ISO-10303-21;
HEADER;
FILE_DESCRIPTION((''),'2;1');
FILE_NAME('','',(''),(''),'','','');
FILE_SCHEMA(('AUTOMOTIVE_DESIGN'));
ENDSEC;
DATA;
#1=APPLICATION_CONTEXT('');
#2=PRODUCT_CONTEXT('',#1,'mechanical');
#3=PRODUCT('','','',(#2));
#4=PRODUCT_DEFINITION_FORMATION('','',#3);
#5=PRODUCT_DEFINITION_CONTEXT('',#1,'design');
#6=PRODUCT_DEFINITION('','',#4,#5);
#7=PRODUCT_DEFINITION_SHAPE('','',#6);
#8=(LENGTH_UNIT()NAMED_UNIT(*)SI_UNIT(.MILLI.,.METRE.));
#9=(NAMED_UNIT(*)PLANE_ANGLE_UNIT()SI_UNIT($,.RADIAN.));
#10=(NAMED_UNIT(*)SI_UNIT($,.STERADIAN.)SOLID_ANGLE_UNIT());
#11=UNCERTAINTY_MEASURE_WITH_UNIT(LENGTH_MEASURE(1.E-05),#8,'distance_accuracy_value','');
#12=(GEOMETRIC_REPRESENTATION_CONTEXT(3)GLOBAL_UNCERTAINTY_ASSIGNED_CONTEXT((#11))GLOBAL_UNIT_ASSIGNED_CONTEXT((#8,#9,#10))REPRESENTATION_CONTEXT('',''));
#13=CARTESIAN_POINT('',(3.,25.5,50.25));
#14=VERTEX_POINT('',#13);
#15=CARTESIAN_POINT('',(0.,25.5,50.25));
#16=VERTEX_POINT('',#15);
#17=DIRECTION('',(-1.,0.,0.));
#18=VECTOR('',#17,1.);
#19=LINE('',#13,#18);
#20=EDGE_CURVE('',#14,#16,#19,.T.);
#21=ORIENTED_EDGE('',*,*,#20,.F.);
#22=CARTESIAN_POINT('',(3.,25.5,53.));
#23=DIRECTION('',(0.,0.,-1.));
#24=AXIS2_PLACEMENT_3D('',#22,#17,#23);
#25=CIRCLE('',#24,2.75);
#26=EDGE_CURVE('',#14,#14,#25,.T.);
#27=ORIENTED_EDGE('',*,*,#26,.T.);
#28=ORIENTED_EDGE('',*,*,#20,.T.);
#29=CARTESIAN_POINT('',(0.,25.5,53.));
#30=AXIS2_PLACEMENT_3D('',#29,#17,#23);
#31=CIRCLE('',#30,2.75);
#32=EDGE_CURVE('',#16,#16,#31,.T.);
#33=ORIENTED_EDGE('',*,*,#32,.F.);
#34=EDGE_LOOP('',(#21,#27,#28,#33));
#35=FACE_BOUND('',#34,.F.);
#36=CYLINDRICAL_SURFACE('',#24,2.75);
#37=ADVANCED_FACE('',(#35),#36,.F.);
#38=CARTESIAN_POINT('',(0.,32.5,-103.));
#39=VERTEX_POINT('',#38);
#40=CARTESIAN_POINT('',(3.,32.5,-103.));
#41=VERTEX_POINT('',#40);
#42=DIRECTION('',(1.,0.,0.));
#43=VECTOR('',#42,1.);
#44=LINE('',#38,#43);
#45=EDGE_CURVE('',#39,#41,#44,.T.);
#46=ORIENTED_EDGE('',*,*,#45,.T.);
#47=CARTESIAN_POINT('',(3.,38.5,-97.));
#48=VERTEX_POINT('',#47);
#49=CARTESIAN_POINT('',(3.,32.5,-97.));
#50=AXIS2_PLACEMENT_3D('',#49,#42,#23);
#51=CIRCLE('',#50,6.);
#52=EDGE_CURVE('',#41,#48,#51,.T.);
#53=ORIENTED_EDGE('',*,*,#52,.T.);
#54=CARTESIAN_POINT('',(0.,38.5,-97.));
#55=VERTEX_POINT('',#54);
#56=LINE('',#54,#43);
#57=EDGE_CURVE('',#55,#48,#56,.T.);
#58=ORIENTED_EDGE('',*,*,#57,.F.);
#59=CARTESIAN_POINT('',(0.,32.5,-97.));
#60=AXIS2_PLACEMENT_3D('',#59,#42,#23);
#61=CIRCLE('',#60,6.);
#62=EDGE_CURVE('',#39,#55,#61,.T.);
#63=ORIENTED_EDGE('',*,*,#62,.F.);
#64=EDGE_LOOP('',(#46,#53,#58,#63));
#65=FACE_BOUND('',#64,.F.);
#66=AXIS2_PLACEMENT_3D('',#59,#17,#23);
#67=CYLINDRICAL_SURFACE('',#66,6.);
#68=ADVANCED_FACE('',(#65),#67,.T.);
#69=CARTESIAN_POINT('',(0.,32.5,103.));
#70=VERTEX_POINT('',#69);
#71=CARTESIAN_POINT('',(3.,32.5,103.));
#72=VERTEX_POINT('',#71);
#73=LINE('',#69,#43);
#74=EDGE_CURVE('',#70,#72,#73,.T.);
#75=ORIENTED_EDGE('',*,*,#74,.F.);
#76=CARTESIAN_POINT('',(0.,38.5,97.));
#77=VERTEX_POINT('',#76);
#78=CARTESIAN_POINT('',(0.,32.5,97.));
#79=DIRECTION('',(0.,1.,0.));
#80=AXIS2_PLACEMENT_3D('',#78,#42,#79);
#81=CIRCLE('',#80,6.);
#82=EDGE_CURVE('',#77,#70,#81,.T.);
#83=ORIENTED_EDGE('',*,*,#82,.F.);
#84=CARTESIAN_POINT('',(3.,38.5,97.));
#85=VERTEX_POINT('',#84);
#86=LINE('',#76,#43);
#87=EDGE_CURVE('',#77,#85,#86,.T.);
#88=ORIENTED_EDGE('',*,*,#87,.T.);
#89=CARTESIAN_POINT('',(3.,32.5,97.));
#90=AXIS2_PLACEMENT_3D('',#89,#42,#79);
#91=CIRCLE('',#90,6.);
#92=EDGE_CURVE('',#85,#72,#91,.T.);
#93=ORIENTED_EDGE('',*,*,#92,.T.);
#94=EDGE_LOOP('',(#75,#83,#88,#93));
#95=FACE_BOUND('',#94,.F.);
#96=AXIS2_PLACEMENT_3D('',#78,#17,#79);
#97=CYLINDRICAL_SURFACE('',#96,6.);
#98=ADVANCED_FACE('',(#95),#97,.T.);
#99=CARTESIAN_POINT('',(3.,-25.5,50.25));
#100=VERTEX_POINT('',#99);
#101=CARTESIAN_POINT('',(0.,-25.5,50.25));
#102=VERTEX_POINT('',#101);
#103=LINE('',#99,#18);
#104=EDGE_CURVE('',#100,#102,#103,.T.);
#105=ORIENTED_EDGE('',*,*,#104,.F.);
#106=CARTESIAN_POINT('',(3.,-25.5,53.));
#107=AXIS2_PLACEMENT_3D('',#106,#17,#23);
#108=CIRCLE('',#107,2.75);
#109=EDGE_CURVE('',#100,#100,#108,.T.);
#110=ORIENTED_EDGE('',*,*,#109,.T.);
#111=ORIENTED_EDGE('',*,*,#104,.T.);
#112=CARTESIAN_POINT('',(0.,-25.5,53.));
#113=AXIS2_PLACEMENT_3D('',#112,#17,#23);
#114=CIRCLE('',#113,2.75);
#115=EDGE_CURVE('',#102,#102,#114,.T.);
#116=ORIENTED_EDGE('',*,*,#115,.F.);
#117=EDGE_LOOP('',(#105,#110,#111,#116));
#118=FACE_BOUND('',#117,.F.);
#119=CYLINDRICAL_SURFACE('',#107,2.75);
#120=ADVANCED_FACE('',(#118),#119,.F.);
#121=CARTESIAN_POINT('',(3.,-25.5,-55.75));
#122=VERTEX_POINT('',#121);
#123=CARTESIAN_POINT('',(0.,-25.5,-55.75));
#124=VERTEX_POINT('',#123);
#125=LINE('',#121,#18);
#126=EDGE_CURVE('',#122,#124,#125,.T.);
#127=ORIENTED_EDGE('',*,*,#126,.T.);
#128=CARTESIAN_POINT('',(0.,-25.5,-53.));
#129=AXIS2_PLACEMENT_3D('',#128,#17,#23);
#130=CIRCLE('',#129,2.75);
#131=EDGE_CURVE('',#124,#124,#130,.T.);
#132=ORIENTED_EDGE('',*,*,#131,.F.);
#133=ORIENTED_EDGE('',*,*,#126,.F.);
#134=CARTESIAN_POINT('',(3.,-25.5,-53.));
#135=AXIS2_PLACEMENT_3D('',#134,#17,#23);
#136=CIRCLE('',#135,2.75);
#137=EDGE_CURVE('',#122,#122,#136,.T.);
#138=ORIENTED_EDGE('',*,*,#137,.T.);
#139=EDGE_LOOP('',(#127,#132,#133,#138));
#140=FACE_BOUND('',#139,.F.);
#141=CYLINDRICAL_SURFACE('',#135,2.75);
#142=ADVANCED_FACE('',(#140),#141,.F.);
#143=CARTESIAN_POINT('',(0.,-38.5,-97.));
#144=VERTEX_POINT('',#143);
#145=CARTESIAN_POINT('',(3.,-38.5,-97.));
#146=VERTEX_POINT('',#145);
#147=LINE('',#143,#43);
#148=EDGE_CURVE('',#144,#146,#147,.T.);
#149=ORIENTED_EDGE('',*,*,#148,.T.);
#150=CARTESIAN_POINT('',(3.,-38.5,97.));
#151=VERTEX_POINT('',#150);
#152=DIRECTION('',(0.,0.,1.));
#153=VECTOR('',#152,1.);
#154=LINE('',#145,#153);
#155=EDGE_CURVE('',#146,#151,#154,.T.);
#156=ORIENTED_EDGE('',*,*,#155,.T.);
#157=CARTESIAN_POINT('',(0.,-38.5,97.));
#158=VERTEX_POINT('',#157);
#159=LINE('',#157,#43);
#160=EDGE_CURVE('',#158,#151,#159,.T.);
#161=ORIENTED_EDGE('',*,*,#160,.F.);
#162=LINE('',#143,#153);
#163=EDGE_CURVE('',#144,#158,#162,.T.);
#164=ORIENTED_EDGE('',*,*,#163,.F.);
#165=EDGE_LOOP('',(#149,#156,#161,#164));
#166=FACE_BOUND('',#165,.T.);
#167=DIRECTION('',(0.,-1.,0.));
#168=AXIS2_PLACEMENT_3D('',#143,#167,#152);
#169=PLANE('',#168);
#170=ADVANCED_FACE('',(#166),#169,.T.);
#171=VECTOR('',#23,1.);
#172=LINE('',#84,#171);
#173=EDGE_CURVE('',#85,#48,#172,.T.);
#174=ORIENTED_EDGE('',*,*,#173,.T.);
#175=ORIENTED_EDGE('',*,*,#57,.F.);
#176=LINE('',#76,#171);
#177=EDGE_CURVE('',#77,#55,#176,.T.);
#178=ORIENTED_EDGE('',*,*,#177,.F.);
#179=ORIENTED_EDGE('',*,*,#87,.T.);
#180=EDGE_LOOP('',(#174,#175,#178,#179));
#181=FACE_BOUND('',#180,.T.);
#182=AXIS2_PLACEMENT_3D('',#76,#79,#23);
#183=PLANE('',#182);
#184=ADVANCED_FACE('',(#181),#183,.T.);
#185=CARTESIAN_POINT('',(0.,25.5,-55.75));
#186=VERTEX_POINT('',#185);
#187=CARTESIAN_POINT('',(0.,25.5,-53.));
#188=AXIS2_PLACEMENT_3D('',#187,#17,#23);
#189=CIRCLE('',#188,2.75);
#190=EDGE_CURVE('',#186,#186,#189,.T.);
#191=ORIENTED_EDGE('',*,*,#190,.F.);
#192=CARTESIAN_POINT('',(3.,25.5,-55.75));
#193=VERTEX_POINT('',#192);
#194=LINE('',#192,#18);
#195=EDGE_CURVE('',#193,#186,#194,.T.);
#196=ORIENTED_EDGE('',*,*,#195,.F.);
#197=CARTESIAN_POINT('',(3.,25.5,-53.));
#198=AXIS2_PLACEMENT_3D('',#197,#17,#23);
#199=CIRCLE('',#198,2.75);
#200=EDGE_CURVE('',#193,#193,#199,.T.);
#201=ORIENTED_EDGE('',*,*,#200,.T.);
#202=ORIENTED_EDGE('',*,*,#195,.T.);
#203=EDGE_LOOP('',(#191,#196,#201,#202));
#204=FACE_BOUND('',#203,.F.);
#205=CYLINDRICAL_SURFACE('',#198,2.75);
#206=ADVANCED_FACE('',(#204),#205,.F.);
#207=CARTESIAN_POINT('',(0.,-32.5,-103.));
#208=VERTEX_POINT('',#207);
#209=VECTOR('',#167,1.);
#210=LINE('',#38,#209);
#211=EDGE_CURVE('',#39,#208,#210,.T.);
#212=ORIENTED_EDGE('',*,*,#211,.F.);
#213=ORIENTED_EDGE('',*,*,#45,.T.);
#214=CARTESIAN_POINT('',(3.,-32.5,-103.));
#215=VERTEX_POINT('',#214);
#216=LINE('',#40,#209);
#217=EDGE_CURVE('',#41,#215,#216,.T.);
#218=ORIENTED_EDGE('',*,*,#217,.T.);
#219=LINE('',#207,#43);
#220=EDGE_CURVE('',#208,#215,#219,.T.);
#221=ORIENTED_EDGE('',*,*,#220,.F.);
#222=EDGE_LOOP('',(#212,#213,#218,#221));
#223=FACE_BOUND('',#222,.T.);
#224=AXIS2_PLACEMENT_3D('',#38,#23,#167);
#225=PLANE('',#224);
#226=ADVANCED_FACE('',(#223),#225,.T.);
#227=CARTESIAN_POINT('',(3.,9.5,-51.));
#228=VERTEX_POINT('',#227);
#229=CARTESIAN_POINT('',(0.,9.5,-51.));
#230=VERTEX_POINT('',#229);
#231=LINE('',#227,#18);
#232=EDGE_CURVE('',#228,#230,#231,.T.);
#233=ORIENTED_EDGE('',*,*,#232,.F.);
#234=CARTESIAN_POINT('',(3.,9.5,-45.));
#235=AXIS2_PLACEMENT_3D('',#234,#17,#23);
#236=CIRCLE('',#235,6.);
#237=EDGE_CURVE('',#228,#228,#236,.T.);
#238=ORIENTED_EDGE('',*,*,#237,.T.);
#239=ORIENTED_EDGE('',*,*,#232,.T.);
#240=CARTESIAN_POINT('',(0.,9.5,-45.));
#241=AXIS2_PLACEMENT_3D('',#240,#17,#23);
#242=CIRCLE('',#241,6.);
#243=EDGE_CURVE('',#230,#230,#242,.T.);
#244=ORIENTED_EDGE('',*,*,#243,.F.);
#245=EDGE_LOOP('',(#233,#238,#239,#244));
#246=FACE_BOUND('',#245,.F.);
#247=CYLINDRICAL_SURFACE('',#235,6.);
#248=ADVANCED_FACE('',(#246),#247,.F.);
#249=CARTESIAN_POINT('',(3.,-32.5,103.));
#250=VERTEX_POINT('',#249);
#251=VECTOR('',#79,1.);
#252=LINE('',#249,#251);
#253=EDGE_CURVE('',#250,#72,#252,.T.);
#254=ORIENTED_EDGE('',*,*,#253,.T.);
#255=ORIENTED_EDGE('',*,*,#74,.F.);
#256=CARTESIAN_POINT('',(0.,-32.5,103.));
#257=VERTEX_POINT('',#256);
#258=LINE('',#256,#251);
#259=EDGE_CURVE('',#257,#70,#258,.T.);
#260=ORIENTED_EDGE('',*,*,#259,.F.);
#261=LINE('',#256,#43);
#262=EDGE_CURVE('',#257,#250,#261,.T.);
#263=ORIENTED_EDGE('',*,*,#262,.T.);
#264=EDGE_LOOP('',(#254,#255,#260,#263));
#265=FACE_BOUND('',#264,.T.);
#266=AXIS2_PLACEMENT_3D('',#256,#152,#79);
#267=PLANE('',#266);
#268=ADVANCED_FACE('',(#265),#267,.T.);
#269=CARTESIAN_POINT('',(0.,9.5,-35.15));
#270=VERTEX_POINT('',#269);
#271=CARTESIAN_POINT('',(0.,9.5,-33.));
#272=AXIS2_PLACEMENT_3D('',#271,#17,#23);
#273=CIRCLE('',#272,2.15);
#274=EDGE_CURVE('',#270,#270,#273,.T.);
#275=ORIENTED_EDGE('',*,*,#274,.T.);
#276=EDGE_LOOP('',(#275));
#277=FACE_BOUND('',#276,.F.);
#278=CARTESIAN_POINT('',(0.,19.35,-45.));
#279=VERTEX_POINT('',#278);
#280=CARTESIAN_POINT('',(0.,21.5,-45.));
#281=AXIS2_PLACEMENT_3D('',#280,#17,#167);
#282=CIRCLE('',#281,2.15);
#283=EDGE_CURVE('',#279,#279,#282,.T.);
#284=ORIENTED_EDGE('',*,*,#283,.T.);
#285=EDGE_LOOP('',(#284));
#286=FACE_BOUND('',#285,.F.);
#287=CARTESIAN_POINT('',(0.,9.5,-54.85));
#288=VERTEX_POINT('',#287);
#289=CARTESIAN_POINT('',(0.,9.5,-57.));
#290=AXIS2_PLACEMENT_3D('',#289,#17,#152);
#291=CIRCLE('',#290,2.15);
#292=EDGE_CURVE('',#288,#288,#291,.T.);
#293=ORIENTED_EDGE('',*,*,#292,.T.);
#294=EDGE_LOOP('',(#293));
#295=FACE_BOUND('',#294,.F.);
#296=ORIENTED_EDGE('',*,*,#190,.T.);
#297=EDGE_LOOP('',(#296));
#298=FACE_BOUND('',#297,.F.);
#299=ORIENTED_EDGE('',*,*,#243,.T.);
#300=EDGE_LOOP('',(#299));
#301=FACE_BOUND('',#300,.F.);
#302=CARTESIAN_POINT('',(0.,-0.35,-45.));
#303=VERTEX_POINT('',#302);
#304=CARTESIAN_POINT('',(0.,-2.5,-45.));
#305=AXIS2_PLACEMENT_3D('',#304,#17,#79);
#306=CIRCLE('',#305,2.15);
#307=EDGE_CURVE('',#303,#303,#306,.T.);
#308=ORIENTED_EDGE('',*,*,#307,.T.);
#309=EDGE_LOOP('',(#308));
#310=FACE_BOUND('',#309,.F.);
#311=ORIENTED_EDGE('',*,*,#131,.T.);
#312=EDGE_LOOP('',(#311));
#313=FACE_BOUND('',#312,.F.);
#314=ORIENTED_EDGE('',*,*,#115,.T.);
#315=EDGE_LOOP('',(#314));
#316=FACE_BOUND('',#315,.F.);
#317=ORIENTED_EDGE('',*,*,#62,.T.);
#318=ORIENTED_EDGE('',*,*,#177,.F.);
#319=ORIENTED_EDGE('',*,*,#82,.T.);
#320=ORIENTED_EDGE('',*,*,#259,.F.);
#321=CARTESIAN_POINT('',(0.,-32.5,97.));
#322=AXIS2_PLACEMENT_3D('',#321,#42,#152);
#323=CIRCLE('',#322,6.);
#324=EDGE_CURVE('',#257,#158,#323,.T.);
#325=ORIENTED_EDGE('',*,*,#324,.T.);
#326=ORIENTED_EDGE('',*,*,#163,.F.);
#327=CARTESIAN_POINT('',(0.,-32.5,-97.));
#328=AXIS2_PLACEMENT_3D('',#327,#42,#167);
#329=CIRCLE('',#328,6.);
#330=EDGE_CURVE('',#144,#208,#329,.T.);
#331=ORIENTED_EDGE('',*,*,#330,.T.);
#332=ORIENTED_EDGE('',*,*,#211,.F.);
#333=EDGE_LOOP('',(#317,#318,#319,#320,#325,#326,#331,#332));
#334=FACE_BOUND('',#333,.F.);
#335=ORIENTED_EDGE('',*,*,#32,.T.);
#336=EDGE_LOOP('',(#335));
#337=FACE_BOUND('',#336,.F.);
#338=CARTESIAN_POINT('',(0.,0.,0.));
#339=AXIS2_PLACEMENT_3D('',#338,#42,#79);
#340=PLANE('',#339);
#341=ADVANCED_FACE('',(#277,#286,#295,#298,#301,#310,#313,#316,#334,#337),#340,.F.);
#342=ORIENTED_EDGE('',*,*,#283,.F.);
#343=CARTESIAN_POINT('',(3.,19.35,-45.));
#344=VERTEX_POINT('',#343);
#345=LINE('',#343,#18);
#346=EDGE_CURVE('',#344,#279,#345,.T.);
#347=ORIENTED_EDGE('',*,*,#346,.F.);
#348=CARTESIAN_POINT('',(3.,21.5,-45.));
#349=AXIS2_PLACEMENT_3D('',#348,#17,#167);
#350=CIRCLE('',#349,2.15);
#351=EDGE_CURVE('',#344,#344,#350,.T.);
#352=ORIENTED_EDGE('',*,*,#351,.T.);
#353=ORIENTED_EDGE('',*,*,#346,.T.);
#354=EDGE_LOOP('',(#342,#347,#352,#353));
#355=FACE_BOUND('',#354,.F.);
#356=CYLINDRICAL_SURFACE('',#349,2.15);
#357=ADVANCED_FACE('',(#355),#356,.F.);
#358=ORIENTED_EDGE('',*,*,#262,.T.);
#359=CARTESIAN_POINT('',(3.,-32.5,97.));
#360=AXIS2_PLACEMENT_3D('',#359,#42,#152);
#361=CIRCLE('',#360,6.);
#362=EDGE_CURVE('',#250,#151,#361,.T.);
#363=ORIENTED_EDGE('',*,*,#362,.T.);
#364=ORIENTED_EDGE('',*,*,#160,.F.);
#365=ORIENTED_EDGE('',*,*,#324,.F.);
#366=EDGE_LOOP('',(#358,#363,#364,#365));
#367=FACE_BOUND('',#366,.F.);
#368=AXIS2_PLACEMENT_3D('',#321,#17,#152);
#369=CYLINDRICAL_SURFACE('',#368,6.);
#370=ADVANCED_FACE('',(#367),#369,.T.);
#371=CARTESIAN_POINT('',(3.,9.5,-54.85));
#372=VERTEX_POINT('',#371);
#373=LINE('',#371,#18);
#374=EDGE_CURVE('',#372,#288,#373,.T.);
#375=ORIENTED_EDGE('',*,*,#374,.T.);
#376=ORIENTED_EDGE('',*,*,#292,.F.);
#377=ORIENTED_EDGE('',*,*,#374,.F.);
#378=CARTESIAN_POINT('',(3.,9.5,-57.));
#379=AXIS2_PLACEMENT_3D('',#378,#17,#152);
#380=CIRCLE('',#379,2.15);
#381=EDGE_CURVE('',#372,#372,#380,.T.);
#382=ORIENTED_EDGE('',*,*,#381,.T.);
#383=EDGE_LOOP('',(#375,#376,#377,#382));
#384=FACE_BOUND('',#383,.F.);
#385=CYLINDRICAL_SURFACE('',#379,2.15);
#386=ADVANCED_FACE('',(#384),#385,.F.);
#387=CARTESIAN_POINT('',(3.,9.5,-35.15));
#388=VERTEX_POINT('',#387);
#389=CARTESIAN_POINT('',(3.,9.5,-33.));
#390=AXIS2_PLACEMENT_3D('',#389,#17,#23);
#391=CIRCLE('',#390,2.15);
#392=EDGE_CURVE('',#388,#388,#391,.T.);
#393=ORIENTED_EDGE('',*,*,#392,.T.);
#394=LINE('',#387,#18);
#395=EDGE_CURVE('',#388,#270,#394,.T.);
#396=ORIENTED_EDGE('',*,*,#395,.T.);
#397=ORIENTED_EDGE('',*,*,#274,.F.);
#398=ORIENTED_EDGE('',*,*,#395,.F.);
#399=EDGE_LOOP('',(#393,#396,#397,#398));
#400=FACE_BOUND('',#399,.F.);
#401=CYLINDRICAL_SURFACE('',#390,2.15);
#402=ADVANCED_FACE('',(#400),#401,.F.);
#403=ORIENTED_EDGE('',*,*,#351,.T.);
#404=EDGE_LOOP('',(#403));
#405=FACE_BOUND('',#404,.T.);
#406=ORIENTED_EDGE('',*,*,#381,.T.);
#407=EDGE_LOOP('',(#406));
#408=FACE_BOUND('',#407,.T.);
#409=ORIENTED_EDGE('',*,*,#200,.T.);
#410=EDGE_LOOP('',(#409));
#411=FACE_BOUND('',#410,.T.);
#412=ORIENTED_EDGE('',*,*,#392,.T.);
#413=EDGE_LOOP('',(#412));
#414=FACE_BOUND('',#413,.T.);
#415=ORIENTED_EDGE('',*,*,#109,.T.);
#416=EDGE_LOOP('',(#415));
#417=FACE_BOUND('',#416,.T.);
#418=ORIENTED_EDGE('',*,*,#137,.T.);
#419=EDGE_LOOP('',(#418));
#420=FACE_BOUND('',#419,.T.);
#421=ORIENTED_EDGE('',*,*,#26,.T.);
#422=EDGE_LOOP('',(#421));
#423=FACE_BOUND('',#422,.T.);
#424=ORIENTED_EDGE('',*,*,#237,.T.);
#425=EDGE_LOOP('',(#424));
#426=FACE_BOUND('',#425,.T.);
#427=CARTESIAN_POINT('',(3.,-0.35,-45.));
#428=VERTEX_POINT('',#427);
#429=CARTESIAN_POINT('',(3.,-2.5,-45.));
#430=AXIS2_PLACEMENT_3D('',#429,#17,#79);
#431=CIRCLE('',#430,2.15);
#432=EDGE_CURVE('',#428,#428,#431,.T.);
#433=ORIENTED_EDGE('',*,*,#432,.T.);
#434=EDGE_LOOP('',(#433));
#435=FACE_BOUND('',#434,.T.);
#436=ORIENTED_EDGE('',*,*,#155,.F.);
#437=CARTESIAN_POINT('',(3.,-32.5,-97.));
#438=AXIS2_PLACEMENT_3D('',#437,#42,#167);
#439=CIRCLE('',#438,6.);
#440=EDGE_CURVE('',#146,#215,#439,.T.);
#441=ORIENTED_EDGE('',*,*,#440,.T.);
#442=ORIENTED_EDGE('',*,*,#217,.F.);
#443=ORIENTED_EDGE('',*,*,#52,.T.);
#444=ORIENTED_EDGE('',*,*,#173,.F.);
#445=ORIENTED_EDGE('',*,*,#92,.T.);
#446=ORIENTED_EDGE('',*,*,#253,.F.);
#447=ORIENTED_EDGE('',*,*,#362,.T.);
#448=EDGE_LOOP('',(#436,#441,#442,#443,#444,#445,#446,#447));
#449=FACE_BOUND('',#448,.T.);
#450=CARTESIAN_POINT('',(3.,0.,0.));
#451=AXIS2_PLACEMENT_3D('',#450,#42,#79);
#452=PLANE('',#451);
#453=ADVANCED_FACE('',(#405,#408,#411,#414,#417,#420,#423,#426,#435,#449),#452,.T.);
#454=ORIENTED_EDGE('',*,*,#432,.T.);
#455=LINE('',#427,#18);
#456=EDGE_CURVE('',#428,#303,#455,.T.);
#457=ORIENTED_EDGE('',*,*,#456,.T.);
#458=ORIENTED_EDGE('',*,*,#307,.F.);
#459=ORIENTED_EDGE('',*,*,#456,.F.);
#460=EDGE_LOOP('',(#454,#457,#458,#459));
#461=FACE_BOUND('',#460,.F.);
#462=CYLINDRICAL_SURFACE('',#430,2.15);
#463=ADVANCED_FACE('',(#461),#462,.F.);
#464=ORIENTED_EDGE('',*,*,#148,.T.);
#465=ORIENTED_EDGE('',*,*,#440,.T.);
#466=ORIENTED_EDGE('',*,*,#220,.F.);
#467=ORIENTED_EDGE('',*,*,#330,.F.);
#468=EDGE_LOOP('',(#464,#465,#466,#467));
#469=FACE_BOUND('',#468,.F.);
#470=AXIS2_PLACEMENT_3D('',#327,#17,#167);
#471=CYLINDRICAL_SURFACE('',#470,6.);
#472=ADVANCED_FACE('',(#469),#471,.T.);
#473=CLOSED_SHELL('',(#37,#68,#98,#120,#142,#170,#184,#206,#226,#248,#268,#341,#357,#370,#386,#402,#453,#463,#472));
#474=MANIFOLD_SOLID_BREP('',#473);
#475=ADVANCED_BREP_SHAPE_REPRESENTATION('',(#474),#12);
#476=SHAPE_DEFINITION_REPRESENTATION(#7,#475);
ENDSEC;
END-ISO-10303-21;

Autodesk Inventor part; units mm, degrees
ref_plane "YZ Plane" through (0, 0, 0) normal (1, 0, 0) x (0, 1, 0)
ref_plane "XZ Plane" through (0, 0, 0) normal (0, 1, 0) x (-1, 0, 0)
ref_plane "XY Plane" through (0, 0, 0) normal (0, 0, 1) x (1, 0, 0)
sketch "Szkic1" plane through (0, 0, 0) normal (1, 0, 0) x (0, 1, 0)
  line L0 (-32.5, 103) -> (32.5, 103)
  line L1 (38.5, 97) -> (38.5, -97)
  line L2 (32.5, -103) -> (-32.5, -103)
  line L3 (-38.5, -97) -> (-38.5, 97)
  line L4 (-38.5, 103) -> (38.5, -103) construction
  arc A0 (32.5, -103) -> (38.5, -97) centre (32.5, -97) ccw
  arc A1 (-32.5, 103) -> (-38.5, 97) centre (-32.5, 97) ccw
  arc A2 (-38.5, -97) -> (-32.5, -103) centre (-32.5, -97) ccw
  arc A3 (38.5, 97) -> (32.5, 103) centre (32.5, 97) ccw
  point P0 (0, 0)
  dimension "d3" = 6
extrude "Płyta1" add sketch "Szkic1" along normal blind 3
sketch "Szkic2" plane through (3, 0, 0) normal (1, 0, 0) x (0, 0, -1)
  line L0 (-97, 38.5) -> (97, 38.5) projected
  line L1 (-103, -32.5) -> (-103, 32.5) projected
  line L2 (103, 32.5) -> (103, -32.5) projected
  line L3 (97, -38.5) -> (-97, -38.5) projected
  point P0 (0, 0)
  point P1 (-53, 25.5)
  point P2 (53, 25.5)
  point P3 (53, -25.5)
  point P4 (-53, -25.5)
  dimension "d5" = 13
  dimension "d6" = 50
  dimension "d7" = 50
  dimension "d8" = 13
  dimension "d9" = 50
  dimension "d10" = 13
  dimension "d11" = 13
  dimension "d12" = 50
hole "Otwór1" at (3, -25.5, 53) at (3, 25.5, 53) at (3, 25.5, -53) at (3, -25.5, -53) direction (-1, 0, 0) diameter 5.5 depth 3 tip angle 118 clearance for "Śruba ze łbem płaskim obrobiona" size "M5" standard "ANSI Profil metryczny M"
sketch "Sketch3" plane through (3, 0, 0) normal (1, 0, 0) x (0, 0, -1)
  line L0 (103, 32.5) -> (103, -32.5) projected
  line L1 (97, -38.5) -> (-97, -38.5) projected
  point P0 (0, 0)
  point P1 (45, 9.5)
  dimension "d20" = 58
  dimension "d40" = 48
hole "Hole2" at (3, 9.5, -45) direction (-1, 0, 0) diameter 12 depth 3 tip angle 118
sketch "Sketch4" plane through (3, 0, 0) normal (1, 0, 0) x (0, 0, -1)
  circle A0 centre (45, 9.5) radius 6 projected
  point P0 (0, 0)
  point P1 (33, 9.5)
  dimension "d28" = 12
  dimension "d29" = 0
hole "Hole3" at (3, 9.5, -33) direction (-1, 0, 0) diameter 4.3 depth 3 tip angle 118
pattern_circular "Circular Pattern1" count 4 over 360 about axis through (1.5, 9.5, -45) along (1, 0, 0) of "Hole3"
equation "\"d18\" = Grubość"
equation "\"d26\" = Grubość"
equation "\"d35\" = Grubość"
equation "\"d4\" = Grubość"
equation "\"PromieńGięcia\" = Grubość"
equation "\"SzerokośćGięciaPodcięcia\" = Grubość"
equation "\"GłębokośćGięciaPodcięcia\" = 0.5 * Grubość"
equation "\"RozmiarPodcięciaNarożnika\" = 4 * Grubość"
equation "\"MinimalnaPozostałość\" = 2 * Grubość"
equation "\"PromieńPrzejścia\" = PromieńGięcia"
equation "\"Rozmiar_promienia_Jacobiego\" = PromieńGięcia"
equation "\"Wielk_odstępu\" = Grubość"
equation "\"Grubość\" = 3"
properties part number "ZaslepkaObudowa2"
